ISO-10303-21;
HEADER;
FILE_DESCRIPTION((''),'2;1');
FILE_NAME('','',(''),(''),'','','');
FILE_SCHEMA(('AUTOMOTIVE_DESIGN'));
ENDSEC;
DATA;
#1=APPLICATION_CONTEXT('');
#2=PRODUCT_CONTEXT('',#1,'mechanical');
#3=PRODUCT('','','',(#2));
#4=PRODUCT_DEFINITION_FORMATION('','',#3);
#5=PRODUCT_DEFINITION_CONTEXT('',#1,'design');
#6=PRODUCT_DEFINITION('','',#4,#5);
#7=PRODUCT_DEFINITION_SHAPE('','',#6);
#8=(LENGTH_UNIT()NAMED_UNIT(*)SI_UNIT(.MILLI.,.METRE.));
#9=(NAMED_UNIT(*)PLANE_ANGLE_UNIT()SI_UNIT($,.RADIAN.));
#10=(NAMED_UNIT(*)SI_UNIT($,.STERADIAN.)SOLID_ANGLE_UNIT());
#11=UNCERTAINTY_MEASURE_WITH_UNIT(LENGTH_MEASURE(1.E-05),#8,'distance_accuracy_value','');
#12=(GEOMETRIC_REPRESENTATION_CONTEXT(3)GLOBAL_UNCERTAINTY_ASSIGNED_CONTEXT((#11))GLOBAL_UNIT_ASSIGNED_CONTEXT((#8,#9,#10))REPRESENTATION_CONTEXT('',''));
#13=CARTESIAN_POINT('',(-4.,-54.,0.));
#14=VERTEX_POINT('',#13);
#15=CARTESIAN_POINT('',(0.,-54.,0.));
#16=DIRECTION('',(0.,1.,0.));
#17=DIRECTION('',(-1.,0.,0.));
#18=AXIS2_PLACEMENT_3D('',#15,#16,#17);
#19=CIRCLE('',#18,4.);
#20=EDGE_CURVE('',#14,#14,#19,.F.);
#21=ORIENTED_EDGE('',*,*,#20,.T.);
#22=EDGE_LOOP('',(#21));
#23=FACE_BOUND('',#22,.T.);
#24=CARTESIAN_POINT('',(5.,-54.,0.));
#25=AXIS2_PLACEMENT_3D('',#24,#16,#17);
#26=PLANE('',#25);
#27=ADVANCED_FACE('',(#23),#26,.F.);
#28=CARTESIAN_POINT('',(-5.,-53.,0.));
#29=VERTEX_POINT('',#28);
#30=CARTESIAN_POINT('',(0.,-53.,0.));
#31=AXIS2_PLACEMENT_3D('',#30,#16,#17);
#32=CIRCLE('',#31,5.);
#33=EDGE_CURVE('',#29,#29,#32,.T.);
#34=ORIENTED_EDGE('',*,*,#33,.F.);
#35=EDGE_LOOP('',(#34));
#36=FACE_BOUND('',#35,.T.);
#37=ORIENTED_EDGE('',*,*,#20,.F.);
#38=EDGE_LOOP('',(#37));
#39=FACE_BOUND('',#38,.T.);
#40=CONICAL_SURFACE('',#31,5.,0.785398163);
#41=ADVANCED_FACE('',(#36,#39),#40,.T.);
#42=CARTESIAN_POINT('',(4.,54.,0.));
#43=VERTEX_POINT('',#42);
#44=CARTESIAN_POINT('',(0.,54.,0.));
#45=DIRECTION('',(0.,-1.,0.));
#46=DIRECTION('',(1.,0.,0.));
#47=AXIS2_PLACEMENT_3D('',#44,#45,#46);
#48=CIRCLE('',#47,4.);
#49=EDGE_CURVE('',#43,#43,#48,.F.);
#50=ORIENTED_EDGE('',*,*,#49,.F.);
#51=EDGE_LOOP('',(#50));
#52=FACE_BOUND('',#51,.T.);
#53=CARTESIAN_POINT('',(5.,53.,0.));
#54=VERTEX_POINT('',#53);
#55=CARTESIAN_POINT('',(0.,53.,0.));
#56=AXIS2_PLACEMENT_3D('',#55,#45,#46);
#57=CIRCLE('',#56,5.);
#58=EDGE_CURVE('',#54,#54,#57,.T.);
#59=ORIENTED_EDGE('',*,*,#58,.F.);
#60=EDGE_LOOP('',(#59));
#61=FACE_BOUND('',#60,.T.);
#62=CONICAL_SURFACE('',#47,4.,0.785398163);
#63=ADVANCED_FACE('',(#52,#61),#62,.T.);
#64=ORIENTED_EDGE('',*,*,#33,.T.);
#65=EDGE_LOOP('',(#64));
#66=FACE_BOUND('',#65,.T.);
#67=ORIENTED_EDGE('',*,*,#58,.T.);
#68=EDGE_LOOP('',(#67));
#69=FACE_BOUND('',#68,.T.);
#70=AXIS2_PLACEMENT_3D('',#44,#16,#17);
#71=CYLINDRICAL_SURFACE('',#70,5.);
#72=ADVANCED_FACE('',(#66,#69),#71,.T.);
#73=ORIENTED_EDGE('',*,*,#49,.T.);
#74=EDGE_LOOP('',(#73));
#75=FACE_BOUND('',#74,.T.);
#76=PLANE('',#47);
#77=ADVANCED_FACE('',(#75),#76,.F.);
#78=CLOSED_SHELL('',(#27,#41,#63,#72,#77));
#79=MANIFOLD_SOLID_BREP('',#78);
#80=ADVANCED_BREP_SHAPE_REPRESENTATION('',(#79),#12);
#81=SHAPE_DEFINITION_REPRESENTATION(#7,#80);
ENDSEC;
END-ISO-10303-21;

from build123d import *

# Parameters (mm, degrees)
CHAMFER_1_SIZE = 1


with BuildPart() as part:
    # 草图1 → 旋转1 (revolve)
    with BuildSketch(Plane.XY, mode=Mode.PRIVATE) as revolve_1_sk:
        Polygon((0, 54), (5, 54), (5, 30), (5, -30), (5, -54), (0, -54), align=None)
    revolve(revolve_1_sk.sketch.rotate(Axis((0, 54, 0), (0, -1, 0)), 180), axis=Axis((0, 54, 0), (0, -1, 0)))

    # 倒角1
    chamfer_1_edges = [part.edges().sort_by_distance(p)[0] for p in [
        (5, -54, 0),
        (5, 54, 0),
    ]]
    chamfer(chamfer_1_edges, length=CHAMFER_1_SIZE)


solid = part.part
